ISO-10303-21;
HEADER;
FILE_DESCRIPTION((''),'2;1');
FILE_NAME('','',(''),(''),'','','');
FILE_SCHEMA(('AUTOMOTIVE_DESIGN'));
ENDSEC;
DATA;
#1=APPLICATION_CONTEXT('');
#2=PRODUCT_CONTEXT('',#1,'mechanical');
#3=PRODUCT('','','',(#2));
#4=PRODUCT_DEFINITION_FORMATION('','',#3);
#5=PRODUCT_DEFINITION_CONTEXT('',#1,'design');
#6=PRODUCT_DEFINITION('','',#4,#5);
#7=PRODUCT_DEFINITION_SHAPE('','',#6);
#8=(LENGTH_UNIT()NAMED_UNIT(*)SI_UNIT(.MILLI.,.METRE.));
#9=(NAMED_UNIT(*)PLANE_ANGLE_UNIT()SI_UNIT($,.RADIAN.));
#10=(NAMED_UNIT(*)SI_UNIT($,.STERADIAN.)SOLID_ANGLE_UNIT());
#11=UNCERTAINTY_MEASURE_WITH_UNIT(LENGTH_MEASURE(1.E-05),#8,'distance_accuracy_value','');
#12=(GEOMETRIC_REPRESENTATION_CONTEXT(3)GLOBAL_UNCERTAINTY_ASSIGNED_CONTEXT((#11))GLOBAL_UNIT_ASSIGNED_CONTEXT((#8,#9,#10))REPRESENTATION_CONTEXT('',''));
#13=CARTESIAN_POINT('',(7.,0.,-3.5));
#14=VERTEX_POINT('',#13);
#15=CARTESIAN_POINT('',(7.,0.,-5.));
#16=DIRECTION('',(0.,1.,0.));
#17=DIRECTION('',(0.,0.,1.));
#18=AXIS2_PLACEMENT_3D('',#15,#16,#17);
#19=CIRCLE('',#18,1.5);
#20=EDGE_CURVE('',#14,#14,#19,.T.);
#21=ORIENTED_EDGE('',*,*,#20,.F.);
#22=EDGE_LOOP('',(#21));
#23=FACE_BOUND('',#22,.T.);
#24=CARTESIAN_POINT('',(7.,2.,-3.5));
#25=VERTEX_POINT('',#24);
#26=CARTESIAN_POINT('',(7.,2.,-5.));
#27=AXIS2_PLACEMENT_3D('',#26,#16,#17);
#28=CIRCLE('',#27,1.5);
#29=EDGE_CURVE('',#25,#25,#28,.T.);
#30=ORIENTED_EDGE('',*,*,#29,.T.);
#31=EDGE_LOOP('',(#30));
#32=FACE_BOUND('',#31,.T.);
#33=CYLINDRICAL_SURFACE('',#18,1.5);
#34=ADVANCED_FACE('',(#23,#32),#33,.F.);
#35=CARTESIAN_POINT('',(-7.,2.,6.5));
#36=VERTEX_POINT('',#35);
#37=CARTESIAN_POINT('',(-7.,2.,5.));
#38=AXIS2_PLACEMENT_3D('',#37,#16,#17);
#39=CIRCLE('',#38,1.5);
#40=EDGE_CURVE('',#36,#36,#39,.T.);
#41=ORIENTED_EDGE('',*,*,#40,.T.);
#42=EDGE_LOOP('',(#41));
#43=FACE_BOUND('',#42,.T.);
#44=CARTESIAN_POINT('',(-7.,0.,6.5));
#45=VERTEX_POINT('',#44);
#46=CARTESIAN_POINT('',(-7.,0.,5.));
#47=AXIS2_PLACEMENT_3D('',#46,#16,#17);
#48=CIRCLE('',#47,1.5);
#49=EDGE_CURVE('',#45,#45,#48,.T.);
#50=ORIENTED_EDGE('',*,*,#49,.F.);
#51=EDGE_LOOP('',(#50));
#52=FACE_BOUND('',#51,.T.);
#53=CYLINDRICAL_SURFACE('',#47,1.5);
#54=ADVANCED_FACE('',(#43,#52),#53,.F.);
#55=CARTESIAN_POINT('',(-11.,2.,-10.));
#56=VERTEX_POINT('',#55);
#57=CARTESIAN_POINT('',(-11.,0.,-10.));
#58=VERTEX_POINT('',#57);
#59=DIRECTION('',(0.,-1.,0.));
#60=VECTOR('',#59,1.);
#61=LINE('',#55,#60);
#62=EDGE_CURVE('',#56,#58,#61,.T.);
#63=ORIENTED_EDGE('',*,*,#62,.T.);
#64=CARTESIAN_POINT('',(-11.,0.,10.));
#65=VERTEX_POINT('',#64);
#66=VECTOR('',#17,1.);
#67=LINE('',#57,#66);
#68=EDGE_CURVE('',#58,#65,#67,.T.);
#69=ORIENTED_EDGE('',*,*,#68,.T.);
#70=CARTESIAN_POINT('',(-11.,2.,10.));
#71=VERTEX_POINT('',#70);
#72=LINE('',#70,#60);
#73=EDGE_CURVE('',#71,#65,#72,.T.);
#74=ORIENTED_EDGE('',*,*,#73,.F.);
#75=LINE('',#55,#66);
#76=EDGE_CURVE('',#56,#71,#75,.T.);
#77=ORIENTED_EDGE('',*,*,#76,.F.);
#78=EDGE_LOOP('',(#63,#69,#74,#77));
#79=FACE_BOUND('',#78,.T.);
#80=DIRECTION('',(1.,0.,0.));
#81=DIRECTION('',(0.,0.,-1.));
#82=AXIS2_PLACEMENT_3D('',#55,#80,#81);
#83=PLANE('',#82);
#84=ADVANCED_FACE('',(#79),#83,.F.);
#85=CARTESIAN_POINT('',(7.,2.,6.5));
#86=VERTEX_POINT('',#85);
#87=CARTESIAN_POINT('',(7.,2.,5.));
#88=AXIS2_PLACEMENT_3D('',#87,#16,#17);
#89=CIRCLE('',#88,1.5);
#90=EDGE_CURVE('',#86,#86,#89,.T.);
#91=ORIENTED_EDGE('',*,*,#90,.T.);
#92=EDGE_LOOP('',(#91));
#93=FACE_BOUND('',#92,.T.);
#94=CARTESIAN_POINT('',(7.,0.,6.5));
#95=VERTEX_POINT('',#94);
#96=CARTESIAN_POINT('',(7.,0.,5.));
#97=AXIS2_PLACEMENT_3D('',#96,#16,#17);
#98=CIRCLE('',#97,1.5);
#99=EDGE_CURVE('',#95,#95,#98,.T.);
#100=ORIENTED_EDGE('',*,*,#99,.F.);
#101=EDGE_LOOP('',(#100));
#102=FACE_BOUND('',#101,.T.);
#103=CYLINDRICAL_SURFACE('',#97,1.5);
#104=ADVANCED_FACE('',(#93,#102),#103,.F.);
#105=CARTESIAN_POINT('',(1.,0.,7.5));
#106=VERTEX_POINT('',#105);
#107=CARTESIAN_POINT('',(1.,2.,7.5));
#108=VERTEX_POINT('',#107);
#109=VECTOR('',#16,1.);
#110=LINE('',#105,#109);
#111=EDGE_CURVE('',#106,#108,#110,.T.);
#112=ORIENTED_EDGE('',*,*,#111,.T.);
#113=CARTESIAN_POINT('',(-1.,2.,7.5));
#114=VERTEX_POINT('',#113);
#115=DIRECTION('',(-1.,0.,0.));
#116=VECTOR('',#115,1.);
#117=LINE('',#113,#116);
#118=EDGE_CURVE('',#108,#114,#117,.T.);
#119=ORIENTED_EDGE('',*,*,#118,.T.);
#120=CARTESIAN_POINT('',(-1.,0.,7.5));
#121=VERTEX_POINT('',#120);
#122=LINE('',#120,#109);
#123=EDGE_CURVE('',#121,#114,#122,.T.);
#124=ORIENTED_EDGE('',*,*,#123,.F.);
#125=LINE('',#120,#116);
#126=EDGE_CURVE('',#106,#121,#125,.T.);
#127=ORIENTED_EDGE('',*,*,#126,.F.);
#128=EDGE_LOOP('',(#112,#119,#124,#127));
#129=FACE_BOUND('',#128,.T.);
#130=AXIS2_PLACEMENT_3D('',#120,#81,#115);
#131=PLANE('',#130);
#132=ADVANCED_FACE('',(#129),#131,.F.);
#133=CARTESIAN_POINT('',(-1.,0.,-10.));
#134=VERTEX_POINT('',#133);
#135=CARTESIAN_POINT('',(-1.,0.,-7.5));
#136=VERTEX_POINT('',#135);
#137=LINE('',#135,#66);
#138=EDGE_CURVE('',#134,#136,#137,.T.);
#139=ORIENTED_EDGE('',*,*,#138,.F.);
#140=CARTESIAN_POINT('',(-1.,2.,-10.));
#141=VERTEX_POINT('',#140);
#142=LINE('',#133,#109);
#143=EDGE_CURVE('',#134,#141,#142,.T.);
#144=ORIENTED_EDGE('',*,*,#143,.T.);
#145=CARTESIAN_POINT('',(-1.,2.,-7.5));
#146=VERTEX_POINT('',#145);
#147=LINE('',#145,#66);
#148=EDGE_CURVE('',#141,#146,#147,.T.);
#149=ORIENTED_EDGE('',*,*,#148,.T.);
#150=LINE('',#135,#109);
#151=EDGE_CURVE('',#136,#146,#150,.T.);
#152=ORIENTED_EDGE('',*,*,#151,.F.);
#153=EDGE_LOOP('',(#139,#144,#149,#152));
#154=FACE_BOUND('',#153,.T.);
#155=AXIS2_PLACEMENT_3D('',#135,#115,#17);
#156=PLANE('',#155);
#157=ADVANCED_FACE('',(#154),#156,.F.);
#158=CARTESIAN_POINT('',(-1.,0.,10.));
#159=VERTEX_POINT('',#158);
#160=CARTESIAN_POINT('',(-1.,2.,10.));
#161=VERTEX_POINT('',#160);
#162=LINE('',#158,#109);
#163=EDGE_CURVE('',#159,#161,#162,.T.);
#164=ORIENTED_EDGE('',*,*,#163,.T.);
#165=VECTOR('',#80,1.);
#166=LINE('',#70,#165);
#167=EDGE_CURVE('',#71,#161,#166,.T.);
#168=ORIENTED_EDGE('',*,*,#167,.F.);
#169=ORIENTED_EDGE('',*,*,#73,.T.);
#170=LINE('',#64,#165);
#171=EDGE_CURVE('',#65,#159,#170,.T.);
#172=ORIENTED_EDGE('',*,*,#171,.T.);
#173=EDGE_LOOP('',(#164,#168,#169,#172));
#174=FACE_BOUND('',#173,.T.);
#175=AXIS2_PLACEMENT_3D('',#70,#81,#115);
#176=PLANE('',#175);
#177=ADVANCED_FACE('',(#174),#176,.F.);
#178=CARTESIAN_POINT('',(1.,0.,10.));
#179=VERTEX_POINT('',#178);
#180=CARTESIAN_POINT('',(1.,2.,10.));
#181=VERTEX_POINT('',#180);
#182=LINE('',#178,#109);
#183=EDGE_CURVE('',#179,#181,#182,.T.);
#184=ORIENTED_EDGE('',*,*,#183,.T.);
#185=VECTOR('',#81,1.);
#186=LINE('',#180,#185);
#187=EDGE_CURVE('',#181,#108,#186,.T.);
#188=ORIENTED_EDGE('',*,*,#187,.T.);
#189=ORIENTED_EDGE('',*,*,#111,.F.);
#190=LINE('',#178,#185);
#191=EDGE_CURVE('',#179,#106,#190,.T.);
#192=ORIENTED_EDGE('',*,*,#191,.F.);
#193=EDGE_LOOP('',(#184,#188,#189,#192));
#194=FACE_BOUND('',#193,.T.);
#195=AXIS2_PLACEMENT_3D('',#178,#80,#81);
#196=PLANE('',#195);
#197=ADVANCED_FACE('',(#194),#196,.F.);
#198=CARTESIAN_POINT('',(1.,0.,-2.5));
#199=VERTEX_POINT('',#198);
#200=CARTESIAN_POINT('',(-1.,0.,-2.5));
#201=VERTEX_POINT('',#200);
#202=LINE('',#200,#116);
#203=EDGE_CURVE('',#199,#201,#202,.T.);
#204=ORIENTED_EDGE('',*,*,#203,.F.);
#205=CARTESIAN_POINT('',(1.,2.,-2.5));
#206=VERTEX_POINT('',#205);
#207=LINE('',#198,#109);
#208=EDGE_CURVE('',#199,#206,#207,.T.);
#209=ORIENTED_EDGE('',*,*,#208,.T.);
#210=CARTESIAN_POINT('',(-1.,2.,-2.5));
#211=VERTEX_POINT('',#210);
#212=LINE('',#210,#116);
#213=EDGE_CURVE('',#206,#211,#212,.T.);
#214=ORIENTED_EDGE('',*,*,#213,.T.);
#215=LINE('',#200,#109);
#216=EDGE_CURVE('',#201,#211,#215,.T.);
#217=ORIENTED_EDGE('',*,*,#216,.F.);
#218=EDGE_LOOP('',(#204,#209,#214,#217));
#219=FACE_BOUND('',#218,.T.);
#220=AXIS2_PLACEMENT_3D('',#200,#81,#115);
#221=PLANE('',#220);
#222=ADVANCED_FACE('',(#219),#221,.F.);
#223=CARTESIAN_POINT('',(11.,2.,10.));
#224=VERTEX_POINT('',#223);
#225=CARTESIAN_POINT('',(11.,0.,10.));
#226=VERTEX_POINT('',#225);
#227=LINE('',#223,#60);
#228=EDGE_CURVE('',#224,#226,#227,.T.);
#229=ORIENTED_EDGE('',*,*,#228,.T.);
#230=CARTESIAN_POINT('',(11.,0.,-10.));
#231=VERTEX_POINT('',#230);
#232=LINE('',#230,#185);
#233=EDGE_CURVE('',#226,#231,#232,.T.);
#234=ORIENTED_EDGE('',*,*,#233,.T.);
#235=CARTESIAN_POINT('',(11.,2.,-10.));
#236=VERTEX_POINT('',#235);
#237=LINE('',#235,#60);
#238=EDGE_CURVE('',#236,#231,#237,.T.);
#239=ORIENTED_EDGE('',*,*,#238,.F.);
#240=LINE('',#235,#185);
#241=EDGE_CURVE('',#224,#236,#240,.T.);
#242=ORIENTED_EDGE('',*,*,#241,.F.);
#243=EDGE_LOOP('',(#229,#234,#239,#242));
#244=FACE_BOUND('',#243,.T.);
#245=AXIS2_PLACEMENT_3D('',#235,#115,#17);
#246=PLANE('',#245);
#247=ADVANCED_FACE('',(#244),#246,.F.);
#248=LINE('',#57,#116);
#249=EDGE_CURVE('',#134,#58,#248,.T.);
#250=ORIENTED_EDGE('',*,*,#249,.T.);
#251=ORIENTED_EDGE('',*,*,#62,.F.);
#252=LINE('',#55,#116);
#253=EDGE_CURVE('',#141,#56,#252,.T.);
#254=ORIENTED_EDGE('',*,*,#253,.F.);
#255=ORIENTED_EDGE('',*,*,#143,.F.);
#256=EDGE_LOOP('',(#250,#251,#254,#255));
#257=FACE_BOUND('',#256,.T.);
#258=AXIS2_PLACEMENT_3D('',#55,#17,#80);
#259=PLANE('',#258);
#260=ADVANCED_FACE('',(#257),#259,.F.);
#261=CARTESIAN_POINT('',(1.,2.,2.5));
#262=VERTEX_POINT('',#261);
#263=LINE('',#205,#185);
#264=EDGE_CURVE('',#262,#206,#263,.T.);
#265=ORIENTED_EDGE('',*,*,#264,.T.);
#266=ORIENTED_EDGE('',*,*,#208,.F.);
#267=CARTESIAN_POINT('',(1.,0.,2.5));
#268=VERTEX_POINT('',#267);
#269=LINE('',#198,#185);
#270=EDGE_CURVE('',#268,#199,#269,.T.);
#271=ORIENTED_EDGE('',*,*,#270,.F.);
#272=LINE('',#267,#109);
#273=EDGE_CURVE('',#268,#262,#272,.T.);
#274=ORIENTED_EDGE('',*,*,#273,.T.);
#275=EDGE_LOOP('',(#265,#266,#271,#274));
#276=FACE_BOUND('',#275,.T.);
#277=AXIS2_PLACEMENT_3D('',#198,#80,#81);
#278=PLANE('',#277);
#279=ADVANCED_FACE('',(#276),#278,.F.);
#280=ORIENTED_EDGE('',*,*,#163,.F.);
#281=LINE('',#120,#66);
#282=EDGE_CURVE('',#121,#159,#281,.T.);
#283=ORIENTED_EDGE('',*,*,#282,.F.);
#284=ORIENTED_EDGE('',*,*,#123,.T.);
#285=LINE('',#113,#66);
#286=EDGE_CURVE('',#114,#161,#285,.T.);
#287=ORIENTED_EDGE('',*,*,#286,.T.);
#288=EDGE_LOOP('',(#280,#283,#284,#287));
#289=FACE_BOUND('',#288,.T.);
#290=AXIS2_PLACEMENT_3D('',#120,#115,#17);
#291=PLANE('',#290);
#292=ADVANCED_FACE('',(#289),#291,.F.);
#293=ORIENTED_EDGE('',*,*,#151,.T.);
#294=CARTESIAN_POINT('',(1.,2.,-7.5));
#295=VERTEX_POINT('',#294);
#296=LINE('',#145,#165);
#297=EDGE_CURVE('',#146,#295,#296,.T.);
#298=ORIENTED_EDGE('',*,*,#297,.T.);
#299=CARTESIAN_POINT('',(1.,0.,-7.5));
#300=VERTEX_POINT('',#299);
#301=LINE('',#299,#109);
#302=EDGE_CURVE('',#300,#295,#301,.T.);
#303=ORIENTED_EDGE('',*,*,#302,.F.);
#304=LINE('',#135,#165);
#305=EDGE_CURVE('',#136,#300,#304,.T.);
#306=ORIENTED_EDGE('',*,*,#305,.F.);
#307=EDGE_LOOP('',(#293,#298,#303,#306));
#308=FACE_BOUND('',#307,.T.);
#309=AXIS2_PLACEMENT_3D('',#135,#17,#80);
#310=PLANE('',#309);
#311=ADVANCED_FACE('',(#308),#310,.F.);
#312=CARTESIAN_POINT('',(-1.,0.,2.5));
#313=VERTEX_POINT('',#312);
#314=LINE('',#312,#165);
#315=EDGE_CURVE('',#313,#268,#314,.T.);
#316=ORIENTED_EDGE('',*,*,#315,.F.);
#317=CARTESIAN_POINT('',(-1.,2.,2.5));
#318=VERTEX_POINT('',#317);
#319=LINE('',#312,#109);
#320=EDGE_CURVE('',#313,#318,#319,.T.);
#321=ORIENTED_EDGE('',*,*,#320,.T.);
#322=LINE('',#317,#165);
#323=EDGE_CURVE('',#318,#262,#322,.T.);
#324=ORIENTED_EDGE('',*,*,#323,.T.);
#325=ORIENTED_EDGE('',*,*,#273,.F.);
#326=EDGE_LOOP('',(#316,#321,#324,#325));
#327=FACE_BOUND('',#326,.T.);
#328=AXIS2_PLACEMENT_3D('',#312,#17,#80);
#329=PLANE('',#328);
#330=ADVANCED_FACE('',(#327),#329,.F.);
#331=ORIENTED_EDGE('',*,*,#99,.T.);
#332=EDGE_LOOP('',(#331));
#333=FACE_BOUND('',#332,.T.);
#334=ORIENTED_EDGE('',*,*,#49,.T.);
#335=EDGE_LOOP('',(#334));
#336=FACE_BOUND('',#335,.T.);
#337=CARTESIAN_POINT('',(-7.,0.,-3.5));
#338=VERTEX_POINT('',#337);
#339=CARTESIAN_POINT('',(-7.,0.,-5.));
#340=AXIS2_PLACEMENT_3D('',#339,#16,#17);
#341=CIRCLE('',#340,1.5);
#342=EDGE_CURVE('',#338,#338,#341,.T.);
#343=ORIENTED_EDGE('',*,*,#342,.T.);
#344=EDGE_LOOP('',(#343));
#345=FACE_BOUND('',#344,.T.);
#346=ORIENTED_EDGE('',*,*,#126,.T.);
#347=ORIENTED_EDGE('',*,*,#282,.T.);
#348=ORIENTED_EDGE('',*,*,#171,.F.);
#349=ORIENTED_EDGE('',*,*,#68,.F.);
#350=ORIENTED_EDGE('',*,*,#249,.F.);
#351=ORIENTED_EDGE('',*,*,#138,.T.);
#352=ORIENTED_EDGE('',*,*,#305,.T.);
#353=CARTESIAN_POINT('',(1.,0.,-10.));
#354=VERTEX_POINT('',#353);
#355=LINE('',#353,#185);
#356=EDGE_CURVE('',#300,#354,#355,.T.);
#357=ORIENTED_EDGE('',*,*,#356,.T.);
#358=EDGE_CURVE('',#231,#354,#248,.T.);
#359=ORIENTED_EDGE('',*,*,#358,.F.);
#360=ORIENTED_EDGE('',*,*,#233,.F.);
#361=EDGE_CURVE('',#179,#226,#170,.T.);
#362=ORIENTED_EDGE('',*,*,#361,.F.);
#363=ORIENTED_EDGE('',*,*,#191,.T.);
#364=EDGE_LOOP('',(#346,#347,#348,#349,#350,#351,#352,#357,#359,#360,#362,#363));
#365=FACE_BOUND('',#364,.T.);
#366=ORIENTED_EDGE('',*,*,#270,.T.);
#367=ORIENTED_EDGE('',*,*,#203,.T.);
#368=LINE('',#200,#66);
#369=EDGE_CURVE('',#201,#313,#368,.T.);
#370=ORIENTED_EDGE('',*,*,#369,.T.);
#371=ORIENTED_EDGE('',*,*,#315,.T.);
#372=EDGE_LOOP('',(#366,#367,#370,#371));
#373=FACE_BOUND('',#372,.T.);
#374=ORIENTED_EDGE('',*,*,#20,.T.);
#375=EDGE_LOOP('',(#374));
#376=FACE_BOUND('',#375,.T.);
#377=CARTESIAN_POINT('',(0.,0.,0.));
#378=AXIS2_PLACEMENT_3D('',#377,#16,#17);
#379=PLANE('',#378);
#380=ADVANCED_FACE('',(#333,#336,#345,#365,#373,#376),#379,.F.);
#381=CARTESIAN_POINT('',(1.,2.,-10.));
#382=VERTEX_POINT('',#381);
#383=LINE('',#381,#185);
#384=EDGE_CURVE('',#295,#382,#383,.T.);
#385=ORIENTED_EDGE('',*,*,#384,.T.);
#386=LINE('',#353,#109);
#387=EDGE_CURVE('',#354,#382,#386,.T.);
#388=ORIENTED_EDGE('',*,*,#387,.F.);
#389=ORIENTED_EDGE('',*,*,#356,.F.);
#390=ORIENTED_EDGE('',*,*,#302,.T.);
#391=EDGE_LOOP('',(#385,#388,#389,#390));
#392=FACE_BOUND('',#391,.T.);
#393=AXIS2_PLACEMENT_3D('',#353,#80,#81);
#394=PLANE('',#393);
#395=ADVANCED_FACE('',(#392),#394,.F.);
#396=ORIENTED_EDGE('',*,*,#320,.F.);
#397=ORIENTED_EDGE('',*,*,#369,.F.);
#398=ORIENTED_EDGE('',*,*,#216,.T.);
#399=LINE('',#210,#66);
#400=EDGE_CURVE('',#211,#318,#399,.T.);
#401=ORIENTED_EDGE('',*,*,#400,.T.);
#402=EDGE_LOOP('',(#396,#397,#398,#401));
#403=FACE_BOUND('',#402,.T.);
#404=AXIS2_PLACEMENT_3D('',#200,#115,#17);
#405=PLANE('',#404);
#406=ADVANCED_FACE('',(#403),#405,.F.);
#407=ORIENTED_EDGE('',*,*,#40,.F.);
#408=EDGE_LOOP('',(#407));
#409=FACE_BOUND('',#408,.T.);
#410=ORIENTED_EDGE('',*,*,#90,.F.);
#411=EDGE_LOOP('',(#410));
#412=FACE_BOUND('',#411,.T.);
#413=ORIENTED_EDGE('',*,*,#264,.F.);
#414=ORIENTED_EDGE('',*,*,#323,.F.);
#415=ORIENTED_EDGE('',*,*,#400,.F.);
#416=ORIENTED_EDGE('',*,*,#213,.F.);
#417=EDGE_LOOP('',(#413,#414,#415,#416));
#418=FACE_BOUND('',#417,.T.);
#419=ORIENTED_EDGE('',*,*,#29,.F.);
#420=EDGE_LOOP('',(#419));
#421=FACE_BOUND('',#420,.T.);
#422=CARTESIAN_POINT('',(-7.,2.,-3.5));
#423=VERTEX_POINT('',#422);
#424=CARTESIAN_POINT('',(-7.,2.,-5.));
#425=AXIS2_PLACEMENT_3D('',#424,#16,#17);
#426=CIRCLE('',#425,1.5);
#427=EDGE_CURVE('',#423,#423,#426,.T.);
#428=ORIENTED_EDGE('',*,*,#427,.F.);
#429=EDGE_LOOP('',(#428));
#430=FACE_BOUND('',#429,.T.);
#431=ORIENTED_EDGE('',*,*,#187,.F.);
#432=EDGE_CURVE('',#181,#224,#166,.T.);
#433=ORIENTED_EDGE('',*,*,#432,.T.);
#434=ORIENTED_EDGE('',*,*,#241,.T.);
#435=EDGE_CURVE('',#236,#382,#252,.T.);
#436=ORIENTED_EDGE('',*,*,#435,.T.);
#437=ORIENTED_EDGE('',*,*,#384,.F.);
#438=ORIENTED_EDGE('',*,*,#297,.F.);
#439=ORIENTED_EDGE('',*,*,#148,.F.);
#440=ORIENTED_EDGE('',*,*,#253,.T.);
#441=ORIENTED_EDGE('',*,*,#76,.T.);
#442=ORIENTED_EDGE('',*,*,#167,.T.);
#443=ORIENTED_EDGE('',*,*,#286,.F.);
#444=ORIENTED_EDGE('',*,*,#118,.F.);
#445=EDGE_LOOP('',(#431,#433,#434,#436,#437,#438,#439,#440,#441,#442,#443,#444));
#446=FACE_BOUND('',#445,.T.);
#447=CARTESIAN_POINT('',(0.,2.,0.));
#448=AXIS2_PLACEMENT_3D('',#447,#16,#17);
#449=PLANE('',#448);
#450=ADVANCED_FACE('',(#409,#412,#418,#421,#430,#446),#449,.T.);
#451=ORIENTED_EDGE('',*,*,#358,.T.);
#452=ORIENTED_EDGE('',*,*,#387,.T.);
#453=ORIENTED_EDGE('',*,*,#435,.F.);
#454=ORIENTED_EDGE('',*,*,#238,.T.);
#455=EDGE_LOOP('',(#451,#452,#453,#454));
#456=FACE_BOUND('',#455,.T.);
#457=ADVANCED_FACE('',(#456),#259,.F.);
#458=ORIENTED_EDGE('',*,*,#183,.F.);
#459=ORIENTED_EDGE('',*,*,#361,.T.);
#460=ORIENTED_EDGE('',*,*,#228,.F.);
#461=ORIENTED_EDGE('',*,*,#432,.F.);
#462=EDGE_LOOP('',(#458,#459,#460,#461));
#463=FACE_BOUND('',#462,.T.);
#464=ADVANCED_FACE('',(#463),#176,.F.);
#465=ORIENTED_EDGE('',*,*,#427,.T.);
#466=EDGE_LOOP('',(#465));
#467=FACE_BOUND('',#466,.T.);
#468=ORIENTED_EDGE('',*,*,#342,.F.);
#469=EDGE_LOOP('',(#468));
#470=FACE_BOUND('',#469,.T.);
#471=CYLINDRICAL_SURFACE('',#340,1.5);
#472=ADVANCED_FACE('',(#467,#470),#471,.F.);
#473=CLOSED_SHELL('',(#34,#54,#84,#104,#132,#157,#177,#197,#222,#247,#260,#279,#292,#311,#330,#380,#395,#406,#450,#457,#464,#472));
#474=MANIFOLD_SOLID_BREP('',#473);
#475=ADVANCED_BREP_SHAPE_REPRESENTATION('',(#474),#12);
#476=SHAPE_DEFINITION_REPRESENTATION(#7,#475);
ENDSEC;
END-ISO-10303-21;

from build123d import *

# Parameters (mm, degrees)
SKETCH1_W           = 22
SKETCH1_H           = 20
BOSS_EXTRUDE1_DEPTH = 2
SKETCH2_R           = 1.5
SKETCH2_W           = 2
SKETCH2_H           = 2.5
SKETCH2_H_2         = 5
CUT_EXTRUDE1_DEPTH  = 2


with BuildPart() as part:
    # Sketch1 → Boss-Extrude1 (new body)
    with BuildSketch(Plane(origin=(0, 0, 0), x_dir=(1, 0, 0), z_dir=(0, 1, 0))):
        Rectangle(SKETCH1_W, SKETCH1_H)
    extrude(amount=BOSS_EXTRUDE1_DEPTH)

    # Sketch2 → Cut-Extrude1 (cut)
    with BuildSketch(Plane(origin=(0, 2, 0), x_dir=(1, 0, 0), z_dir=(0, 1, 0))):
        with Locations(Location((-7, 5, 0), (0, 0, 270))):
            Circle(SKETCH2_R)
        with Locations(Location((-7, -5, 0), (0, 0, 270))):
            Circle(SKETCH2_R)
        with Locations(Location((7, 5, 0), (0, 0, 270))):
            Circle(SKETCH2_R)
        with Locations(Location((7, -5, 0), (0, 0, 270))):
            Circle(SKETCH2_R)
        with Locations((0, 8.75)):
            Rectangle(SKETCH2_W, SKETCH2_H)
        Rectangle(SKETCH2_W, SKETCH2_H_2)
        with Locations((0, -8.75)):
            Rectangle(SKETCH2_W, SKETCH2_H)
    extrude(amount=-CUT_EXTRUDE1_DEPTH, mode=Mode.SUBTRACT)


solid = part.part
